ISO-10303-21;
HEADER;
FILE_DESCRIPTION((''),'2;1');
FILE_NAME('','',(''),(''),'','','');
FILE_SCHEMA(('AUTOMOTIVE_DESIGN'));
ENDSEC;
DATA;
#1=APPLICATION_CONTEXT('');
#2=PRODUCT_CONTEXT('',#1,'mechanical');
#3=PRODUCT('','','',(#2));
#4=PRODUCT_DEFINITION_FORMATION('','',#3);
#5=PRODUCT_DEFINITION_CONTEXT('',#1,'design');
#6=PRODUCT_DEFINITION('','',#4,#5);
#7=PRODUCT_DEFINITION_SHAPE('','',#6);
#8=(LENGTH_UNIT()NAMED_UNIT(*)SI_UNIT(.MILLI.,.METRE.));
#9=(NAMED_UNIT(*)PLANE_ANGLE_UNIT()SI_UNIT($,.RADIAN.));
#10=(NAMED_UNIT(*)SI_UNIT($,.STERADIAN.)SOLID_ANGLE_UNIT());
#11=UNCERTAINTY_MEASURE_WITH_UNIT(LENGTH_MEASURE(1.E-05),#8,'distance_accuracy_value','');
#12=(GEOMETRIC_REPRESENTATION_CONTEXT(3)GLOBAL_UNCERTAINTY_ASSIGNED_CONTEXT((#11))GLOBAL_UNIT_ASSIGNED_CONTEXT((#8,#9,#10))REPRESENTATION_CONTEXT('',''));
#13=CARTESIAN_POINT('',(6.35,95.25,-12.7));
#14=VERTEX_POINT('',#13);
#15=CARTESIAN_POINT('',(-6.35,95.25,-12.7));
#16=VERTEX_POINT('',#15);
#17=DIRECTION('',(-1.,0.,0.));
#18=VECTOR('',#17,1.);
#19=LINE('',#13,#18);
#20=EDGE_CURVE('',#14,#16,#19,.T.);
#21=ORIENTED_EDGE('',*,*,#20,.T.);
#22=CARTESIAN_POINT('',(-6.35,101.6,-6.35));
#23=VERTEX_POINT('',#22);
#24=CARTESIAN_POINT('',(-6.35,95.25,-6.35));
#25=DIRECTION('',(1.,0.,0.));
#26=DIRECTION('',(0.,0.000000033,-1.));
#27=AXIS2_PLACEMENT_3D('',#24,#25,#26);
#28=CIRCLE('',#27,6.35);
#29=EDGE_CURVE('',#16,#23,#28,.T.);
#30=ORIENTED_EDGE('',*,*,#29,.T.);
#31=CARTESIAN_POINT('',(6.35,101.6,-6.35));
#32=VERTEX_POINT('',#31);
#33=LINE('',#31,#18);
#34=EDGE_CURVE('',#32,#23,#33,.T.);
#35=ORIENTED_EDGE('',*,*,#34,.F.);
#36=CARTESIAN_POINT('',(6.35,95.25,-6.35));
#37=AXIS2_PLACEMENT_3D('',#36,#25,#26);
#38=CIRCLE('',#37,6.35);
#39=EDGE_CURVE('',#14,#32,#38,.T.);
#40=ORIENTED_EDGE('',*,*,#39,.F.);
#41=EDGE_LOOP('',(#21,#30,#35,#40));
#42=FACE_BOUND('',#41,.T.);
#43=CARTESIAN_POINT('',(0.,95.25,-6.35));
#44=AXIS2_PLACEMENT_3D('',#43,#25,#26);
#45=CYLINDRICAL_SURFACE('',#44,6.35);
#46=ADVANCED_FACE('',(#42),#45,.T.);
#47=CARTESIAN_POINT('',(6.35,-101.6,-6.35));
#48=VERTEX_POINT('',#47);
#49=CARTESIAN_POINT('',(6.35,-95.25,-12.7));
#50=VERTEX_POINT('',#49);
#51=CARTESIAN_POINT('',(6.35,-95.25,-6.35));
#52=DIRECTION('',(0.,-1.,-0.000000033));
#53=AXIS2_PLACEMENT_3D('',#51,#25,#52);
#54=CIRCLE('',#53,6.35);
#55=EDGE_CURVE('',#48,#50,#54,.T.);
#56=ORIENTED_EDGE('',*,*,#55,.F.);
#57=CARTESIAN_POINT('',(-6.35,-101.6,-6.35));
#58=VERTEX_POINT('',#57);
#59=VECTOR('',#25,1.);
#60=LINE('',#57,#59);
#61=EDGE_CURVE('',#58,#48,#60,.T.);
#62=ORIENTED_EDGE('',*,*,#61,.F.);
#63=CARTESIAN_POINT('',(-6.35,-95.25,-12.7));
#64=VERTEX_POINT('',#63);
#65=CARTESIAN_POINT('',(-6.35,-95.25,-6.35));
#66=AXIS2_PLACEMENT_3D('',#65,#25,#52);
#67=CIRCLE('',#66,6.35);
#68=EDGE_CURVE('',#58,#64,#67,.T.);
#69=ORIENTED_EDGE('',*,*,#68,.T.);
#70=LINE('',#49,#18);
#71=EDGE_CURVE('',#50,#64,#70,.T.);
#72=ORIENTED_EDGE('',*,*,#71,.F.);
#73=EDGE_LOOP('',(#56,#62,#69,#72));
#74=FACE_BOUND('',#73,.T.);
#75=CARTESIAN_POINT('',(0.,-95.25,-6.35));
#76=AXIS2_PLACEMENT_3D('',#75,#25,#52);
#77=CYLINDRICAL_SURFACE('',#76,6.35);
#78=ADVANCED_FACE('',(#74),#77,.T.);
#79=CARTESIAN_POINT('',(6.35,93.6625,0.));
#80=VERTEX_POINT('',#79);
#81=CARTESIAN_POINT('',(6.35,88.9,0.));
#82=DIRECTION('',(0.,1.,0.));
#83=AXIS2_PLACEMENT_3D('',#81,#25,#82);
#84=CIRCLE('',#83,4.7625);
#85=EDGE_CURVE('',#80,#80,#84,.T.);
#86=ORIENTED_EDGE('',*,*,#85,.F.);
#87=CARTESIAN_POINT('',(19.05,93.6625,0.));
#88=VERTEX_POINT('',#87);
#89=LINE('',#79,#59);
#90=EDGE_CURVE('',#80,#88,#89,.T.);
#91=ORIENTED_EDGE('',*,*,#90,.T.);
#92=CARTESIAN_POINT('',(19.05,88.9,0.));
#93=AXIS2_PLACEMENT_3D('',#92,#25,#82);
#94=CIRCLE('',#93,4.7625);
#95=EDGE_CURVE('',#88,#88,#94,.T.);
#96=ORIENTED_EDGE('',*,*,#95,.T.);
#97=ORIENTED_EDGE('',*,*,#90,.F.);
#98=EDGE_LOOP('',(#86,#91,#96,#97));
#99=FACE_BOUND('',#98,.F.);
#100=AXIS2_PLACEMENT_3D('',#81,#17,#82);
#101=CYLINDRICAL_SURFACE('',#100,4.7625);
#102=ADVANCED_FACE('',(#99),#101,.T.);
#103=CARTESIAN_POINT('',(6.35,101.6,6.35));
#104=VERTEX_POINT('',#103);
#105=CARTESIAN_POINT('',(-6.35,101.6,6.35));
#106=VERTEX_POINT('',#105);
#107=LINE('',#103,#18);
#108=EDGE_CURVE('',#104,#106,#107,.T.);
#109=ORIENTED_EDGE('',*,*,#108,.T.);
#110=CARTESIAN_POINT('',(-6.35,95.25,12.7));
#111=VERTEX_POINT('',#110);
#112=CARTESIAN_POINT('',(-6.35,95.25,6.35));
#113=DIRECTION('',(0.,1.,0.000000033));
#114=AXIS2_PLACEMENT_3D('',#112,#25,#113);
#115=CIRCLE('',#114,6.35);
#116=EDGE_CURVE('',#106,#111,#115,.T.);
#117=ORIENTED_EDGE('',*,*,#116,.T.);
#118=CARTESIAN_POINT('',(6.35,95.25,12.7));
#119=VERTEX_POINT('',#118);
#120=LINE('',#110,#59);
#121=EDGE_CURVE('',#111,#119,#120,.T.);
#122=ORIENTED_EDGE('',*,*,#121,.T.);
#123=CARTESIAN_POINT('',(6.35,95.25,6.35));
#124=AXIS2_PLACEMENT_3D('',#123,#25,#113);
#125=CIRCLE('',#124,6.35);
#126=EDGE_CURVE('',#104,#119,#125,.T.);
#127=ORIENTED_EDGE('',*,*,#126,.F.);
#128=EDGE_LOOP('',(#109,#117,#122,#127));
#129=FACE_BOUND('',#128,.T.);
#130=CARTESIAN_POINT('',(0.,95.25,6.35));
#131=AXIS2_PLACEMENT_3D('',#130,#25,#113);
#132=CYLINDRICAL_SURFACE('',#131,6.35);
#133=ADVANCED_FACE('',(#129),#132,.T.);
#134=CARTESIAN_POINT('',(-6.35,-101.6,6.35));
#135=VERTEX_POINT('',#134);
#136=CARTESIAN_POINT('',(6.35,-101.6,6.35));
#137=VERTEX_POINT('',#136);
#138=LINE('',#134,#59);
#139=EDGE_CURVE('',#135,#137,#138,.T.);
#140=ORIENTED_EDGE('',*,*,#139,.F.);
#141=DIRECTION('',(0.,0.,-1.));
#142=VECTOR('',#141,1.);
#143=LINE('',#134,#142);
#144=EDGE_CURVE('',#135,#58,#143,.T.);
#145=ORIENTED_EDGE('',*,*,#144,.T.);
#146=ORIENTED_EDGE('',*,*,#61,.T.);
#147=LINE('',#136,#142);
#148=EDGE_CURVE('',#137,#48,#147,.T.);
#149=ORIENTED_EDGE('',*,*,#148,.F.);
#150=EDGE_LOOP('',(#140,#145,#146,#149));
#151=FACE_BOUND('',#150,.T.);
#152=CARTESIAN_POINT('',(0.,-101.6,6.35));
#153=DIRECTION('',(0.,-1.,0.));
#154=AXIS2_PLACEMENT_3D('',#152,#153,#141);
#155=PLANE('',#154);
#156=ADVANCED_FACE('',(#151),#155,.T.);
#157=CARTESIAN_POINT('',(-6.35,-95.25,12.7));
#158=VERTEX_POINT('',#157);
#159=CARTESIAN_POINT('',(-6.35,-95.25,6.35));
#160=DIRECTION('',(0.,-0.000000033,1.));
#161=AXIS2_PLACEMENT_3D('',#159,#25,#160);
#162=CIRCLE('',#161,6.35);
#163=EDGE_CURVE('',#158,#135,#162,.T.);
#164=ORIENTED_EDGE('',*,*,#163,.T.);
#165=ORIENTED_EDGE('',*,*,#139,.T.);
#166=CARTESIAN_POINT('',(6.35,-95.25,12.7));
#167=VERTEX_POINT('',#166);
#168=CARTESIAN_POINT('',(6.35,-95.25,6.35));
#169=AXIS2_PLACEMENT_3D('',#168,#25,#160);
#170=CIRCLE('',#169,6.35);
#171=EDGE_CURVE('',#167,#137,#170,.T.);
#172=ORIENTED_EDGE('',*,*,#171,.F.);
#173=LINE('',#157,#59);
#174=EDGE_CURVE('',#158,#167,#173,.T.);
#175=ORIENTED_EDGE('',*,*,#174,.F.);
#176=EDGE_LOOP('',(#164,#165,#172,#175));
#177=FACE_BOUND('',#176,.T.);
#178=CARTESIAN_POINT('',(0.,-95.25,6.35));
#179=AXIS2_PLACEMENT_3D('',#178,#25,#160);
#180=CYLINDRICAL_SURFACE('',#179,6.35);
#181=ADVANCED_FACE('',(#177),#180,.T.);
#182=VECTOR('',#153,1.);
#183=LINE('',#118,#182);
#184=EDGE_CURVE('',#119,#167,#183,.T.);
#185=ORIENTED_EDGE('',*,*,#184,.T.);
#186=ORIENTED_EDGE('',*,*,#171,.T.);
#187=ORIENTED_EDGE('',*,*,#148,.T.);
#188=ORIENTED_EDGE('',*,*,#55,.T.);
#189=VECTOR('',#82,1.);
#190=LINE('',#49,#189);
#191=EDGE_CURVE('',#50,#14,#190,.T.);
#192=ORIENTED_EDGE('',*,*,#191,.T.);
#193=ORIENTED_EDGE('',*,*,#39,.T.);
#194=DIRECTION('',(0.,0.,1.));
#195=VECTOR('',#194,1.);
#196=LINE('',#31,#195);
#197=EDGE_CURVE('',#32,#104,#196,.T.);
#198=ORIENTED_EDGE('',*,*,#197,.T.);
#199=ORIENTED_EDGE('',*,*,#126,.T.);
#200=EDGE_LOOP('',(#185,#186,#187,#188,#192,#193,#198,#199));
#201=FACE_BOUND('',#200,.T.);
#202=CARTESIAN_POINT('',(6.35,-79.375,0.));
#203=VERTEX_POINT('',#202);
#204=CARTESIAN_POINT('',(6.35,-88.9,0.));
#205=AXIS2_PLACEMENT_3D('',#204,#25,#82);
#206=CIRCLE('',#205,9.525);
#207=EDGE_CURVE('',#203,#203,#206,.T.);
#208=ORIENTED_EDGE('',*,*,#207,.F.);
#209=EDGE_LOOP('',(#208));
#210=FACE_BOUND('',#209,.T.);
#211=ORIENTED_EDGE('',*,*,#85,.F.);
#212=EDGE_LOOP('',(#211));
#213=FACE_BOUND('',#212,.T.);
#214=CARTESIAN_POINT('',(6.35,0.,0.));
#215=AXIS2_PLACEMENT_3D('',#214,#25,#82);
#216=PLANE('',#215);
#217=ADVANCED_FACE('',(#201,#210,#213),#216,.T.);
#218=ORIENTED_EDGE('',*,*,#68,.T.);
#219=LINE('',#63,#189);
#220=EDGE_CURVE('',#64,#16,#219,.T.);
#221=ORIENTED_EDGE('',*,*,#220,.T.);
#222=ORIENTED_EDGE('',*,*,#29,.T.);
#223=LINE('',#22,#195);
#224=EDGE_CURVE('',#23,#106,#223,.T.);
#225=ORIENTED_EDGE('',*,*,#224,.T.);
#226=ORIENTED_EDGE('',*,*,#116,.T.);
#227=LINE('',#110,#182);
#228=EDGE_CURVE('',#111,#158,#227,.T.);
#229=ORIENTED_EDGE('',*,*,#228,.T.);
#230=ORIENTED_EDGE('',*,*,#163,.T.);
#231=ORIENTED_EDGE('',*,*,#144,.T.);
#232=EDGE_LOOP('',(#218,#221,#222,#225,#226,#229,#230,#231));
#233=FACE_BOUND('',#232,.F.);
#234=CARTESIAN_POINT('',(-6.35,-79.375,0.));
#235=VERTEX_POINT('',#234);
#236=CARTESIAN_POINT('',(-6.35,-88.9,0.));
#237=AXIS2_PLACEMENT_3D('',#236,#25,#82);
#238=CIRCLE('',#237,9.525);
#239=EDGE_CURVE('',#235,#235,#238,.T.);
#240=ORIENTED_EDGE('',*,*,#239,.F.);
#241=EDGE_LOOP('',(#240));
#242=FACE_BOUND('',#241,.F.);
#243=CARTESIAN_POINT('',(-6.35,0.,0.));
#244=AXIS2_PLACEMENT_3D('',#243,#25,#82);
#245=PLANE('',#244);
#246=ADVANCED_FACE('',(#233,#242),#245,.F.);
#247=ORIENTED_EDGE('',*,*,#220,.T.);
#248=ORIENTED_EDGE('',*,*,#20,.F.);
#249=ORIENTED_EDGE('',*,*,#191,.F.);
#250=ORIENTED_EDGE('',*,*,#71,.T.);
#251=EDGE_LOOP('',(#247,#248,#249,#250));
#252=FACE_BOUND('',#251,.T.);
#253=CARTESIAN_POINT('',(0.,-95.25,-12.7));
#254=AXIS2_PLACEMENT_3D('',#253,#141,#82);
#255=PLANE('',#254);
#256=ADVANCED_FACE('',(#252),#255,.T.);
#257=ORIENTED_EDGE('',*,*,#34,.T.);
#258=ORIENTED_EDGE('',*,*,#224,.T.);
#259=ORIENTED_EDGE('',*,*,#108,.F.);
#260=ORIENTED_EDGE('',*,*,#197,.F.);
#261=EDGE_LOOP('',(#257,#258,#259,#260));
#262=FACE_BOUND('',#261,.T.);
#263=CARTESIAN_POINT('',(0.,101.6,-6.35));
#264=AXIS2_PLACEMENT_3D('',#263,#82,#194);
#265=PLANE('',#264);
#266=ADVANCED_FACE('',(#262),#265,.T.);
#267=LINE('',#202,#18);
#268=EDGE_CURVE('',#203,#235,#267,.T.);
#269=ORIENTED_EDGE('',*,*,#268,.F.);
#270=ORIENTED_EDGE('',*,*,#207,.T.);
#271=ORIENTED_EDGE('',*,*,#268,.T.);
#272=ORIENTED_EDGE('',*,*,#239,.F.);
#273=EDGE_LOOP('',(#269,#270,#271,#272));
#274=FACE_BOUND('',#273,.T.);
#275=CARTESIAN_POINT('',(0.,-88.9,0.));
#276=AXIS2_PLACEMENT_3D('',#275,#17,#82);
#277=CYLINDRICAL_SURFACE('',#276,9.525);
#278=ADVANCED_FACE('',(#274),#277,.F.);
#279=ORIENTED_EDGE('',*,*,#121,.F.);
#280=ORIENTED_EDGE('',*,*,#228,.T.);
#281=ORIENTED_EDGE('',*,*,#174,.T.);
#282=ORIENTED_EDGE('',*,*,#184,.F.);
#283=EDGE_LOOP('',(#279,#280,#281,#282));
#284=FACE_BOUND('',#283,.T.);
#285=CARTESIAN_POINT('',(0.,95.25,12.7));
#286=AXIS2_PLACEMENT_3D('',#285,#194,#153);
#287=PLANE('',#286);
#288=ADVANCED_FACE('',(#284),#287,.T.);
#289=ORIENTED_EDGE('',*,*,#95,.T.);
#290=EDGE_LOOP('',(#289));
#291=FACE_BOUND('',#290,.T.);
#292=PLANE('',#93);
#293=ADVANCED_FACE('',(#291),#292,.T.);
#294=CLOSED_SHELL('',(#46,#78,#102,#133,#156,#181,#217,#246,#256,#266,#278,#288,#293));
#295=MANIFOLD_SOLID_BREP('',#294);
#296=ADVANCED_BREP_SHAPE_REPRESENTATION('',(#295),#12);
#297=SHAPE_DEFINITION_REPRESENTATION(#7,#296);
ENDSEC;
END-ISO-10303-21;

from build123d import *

# Parameters (mm, degrees)
F0_R     = 9.525
F1_DEPTH = 6.35
F2_R     = 4.7625
F3_DEPTH = 12.7


with BuildPart() as f1:
    # F0 (on Right) → F1 (new body, symmetric)
    with BuildSketch(Plane.YZ):
        with BuildLine():
            ThreePointArc((101.6, 6.35), (99.740128, 10.840128), (95.25, 12.7))
            Line((95.25, 12.7), (-95.25, 12.7))
            ThreePointArc((-95.25, 12.7), (-99.740128, 10.840128), (-101.6, 6.35))
            Line((-101.6, 6.35), (-101.6, -6.35))
            ThreePointArc((-101.6, -6.35), (-99.740128, -10.840128), (-95.25, -12.7))
            Line((-95.25, -12.7), (95.25, -12.7))
            ThreePointArc((95.25, -12.7), (99.740128, -10.840128), (101.6, -6.35))
            Line((101.6, -6.35), (101.6, 6.35))
        make_face()
        with Locations((-88.9, 0)):
            Circle(F0_R, mode=Mode.SUBTRACT)
    extrude(amount=F1_DEPTH, both=True)

    # F2 (on face) → F3 (join)
    with BuildSketch(Plane.YZ.offset(6.35)):
        with Locations((88.9, 0)):
            Circle(F2_R)
    extrude(amount=F3_DEPTH)


solid = f1.part
